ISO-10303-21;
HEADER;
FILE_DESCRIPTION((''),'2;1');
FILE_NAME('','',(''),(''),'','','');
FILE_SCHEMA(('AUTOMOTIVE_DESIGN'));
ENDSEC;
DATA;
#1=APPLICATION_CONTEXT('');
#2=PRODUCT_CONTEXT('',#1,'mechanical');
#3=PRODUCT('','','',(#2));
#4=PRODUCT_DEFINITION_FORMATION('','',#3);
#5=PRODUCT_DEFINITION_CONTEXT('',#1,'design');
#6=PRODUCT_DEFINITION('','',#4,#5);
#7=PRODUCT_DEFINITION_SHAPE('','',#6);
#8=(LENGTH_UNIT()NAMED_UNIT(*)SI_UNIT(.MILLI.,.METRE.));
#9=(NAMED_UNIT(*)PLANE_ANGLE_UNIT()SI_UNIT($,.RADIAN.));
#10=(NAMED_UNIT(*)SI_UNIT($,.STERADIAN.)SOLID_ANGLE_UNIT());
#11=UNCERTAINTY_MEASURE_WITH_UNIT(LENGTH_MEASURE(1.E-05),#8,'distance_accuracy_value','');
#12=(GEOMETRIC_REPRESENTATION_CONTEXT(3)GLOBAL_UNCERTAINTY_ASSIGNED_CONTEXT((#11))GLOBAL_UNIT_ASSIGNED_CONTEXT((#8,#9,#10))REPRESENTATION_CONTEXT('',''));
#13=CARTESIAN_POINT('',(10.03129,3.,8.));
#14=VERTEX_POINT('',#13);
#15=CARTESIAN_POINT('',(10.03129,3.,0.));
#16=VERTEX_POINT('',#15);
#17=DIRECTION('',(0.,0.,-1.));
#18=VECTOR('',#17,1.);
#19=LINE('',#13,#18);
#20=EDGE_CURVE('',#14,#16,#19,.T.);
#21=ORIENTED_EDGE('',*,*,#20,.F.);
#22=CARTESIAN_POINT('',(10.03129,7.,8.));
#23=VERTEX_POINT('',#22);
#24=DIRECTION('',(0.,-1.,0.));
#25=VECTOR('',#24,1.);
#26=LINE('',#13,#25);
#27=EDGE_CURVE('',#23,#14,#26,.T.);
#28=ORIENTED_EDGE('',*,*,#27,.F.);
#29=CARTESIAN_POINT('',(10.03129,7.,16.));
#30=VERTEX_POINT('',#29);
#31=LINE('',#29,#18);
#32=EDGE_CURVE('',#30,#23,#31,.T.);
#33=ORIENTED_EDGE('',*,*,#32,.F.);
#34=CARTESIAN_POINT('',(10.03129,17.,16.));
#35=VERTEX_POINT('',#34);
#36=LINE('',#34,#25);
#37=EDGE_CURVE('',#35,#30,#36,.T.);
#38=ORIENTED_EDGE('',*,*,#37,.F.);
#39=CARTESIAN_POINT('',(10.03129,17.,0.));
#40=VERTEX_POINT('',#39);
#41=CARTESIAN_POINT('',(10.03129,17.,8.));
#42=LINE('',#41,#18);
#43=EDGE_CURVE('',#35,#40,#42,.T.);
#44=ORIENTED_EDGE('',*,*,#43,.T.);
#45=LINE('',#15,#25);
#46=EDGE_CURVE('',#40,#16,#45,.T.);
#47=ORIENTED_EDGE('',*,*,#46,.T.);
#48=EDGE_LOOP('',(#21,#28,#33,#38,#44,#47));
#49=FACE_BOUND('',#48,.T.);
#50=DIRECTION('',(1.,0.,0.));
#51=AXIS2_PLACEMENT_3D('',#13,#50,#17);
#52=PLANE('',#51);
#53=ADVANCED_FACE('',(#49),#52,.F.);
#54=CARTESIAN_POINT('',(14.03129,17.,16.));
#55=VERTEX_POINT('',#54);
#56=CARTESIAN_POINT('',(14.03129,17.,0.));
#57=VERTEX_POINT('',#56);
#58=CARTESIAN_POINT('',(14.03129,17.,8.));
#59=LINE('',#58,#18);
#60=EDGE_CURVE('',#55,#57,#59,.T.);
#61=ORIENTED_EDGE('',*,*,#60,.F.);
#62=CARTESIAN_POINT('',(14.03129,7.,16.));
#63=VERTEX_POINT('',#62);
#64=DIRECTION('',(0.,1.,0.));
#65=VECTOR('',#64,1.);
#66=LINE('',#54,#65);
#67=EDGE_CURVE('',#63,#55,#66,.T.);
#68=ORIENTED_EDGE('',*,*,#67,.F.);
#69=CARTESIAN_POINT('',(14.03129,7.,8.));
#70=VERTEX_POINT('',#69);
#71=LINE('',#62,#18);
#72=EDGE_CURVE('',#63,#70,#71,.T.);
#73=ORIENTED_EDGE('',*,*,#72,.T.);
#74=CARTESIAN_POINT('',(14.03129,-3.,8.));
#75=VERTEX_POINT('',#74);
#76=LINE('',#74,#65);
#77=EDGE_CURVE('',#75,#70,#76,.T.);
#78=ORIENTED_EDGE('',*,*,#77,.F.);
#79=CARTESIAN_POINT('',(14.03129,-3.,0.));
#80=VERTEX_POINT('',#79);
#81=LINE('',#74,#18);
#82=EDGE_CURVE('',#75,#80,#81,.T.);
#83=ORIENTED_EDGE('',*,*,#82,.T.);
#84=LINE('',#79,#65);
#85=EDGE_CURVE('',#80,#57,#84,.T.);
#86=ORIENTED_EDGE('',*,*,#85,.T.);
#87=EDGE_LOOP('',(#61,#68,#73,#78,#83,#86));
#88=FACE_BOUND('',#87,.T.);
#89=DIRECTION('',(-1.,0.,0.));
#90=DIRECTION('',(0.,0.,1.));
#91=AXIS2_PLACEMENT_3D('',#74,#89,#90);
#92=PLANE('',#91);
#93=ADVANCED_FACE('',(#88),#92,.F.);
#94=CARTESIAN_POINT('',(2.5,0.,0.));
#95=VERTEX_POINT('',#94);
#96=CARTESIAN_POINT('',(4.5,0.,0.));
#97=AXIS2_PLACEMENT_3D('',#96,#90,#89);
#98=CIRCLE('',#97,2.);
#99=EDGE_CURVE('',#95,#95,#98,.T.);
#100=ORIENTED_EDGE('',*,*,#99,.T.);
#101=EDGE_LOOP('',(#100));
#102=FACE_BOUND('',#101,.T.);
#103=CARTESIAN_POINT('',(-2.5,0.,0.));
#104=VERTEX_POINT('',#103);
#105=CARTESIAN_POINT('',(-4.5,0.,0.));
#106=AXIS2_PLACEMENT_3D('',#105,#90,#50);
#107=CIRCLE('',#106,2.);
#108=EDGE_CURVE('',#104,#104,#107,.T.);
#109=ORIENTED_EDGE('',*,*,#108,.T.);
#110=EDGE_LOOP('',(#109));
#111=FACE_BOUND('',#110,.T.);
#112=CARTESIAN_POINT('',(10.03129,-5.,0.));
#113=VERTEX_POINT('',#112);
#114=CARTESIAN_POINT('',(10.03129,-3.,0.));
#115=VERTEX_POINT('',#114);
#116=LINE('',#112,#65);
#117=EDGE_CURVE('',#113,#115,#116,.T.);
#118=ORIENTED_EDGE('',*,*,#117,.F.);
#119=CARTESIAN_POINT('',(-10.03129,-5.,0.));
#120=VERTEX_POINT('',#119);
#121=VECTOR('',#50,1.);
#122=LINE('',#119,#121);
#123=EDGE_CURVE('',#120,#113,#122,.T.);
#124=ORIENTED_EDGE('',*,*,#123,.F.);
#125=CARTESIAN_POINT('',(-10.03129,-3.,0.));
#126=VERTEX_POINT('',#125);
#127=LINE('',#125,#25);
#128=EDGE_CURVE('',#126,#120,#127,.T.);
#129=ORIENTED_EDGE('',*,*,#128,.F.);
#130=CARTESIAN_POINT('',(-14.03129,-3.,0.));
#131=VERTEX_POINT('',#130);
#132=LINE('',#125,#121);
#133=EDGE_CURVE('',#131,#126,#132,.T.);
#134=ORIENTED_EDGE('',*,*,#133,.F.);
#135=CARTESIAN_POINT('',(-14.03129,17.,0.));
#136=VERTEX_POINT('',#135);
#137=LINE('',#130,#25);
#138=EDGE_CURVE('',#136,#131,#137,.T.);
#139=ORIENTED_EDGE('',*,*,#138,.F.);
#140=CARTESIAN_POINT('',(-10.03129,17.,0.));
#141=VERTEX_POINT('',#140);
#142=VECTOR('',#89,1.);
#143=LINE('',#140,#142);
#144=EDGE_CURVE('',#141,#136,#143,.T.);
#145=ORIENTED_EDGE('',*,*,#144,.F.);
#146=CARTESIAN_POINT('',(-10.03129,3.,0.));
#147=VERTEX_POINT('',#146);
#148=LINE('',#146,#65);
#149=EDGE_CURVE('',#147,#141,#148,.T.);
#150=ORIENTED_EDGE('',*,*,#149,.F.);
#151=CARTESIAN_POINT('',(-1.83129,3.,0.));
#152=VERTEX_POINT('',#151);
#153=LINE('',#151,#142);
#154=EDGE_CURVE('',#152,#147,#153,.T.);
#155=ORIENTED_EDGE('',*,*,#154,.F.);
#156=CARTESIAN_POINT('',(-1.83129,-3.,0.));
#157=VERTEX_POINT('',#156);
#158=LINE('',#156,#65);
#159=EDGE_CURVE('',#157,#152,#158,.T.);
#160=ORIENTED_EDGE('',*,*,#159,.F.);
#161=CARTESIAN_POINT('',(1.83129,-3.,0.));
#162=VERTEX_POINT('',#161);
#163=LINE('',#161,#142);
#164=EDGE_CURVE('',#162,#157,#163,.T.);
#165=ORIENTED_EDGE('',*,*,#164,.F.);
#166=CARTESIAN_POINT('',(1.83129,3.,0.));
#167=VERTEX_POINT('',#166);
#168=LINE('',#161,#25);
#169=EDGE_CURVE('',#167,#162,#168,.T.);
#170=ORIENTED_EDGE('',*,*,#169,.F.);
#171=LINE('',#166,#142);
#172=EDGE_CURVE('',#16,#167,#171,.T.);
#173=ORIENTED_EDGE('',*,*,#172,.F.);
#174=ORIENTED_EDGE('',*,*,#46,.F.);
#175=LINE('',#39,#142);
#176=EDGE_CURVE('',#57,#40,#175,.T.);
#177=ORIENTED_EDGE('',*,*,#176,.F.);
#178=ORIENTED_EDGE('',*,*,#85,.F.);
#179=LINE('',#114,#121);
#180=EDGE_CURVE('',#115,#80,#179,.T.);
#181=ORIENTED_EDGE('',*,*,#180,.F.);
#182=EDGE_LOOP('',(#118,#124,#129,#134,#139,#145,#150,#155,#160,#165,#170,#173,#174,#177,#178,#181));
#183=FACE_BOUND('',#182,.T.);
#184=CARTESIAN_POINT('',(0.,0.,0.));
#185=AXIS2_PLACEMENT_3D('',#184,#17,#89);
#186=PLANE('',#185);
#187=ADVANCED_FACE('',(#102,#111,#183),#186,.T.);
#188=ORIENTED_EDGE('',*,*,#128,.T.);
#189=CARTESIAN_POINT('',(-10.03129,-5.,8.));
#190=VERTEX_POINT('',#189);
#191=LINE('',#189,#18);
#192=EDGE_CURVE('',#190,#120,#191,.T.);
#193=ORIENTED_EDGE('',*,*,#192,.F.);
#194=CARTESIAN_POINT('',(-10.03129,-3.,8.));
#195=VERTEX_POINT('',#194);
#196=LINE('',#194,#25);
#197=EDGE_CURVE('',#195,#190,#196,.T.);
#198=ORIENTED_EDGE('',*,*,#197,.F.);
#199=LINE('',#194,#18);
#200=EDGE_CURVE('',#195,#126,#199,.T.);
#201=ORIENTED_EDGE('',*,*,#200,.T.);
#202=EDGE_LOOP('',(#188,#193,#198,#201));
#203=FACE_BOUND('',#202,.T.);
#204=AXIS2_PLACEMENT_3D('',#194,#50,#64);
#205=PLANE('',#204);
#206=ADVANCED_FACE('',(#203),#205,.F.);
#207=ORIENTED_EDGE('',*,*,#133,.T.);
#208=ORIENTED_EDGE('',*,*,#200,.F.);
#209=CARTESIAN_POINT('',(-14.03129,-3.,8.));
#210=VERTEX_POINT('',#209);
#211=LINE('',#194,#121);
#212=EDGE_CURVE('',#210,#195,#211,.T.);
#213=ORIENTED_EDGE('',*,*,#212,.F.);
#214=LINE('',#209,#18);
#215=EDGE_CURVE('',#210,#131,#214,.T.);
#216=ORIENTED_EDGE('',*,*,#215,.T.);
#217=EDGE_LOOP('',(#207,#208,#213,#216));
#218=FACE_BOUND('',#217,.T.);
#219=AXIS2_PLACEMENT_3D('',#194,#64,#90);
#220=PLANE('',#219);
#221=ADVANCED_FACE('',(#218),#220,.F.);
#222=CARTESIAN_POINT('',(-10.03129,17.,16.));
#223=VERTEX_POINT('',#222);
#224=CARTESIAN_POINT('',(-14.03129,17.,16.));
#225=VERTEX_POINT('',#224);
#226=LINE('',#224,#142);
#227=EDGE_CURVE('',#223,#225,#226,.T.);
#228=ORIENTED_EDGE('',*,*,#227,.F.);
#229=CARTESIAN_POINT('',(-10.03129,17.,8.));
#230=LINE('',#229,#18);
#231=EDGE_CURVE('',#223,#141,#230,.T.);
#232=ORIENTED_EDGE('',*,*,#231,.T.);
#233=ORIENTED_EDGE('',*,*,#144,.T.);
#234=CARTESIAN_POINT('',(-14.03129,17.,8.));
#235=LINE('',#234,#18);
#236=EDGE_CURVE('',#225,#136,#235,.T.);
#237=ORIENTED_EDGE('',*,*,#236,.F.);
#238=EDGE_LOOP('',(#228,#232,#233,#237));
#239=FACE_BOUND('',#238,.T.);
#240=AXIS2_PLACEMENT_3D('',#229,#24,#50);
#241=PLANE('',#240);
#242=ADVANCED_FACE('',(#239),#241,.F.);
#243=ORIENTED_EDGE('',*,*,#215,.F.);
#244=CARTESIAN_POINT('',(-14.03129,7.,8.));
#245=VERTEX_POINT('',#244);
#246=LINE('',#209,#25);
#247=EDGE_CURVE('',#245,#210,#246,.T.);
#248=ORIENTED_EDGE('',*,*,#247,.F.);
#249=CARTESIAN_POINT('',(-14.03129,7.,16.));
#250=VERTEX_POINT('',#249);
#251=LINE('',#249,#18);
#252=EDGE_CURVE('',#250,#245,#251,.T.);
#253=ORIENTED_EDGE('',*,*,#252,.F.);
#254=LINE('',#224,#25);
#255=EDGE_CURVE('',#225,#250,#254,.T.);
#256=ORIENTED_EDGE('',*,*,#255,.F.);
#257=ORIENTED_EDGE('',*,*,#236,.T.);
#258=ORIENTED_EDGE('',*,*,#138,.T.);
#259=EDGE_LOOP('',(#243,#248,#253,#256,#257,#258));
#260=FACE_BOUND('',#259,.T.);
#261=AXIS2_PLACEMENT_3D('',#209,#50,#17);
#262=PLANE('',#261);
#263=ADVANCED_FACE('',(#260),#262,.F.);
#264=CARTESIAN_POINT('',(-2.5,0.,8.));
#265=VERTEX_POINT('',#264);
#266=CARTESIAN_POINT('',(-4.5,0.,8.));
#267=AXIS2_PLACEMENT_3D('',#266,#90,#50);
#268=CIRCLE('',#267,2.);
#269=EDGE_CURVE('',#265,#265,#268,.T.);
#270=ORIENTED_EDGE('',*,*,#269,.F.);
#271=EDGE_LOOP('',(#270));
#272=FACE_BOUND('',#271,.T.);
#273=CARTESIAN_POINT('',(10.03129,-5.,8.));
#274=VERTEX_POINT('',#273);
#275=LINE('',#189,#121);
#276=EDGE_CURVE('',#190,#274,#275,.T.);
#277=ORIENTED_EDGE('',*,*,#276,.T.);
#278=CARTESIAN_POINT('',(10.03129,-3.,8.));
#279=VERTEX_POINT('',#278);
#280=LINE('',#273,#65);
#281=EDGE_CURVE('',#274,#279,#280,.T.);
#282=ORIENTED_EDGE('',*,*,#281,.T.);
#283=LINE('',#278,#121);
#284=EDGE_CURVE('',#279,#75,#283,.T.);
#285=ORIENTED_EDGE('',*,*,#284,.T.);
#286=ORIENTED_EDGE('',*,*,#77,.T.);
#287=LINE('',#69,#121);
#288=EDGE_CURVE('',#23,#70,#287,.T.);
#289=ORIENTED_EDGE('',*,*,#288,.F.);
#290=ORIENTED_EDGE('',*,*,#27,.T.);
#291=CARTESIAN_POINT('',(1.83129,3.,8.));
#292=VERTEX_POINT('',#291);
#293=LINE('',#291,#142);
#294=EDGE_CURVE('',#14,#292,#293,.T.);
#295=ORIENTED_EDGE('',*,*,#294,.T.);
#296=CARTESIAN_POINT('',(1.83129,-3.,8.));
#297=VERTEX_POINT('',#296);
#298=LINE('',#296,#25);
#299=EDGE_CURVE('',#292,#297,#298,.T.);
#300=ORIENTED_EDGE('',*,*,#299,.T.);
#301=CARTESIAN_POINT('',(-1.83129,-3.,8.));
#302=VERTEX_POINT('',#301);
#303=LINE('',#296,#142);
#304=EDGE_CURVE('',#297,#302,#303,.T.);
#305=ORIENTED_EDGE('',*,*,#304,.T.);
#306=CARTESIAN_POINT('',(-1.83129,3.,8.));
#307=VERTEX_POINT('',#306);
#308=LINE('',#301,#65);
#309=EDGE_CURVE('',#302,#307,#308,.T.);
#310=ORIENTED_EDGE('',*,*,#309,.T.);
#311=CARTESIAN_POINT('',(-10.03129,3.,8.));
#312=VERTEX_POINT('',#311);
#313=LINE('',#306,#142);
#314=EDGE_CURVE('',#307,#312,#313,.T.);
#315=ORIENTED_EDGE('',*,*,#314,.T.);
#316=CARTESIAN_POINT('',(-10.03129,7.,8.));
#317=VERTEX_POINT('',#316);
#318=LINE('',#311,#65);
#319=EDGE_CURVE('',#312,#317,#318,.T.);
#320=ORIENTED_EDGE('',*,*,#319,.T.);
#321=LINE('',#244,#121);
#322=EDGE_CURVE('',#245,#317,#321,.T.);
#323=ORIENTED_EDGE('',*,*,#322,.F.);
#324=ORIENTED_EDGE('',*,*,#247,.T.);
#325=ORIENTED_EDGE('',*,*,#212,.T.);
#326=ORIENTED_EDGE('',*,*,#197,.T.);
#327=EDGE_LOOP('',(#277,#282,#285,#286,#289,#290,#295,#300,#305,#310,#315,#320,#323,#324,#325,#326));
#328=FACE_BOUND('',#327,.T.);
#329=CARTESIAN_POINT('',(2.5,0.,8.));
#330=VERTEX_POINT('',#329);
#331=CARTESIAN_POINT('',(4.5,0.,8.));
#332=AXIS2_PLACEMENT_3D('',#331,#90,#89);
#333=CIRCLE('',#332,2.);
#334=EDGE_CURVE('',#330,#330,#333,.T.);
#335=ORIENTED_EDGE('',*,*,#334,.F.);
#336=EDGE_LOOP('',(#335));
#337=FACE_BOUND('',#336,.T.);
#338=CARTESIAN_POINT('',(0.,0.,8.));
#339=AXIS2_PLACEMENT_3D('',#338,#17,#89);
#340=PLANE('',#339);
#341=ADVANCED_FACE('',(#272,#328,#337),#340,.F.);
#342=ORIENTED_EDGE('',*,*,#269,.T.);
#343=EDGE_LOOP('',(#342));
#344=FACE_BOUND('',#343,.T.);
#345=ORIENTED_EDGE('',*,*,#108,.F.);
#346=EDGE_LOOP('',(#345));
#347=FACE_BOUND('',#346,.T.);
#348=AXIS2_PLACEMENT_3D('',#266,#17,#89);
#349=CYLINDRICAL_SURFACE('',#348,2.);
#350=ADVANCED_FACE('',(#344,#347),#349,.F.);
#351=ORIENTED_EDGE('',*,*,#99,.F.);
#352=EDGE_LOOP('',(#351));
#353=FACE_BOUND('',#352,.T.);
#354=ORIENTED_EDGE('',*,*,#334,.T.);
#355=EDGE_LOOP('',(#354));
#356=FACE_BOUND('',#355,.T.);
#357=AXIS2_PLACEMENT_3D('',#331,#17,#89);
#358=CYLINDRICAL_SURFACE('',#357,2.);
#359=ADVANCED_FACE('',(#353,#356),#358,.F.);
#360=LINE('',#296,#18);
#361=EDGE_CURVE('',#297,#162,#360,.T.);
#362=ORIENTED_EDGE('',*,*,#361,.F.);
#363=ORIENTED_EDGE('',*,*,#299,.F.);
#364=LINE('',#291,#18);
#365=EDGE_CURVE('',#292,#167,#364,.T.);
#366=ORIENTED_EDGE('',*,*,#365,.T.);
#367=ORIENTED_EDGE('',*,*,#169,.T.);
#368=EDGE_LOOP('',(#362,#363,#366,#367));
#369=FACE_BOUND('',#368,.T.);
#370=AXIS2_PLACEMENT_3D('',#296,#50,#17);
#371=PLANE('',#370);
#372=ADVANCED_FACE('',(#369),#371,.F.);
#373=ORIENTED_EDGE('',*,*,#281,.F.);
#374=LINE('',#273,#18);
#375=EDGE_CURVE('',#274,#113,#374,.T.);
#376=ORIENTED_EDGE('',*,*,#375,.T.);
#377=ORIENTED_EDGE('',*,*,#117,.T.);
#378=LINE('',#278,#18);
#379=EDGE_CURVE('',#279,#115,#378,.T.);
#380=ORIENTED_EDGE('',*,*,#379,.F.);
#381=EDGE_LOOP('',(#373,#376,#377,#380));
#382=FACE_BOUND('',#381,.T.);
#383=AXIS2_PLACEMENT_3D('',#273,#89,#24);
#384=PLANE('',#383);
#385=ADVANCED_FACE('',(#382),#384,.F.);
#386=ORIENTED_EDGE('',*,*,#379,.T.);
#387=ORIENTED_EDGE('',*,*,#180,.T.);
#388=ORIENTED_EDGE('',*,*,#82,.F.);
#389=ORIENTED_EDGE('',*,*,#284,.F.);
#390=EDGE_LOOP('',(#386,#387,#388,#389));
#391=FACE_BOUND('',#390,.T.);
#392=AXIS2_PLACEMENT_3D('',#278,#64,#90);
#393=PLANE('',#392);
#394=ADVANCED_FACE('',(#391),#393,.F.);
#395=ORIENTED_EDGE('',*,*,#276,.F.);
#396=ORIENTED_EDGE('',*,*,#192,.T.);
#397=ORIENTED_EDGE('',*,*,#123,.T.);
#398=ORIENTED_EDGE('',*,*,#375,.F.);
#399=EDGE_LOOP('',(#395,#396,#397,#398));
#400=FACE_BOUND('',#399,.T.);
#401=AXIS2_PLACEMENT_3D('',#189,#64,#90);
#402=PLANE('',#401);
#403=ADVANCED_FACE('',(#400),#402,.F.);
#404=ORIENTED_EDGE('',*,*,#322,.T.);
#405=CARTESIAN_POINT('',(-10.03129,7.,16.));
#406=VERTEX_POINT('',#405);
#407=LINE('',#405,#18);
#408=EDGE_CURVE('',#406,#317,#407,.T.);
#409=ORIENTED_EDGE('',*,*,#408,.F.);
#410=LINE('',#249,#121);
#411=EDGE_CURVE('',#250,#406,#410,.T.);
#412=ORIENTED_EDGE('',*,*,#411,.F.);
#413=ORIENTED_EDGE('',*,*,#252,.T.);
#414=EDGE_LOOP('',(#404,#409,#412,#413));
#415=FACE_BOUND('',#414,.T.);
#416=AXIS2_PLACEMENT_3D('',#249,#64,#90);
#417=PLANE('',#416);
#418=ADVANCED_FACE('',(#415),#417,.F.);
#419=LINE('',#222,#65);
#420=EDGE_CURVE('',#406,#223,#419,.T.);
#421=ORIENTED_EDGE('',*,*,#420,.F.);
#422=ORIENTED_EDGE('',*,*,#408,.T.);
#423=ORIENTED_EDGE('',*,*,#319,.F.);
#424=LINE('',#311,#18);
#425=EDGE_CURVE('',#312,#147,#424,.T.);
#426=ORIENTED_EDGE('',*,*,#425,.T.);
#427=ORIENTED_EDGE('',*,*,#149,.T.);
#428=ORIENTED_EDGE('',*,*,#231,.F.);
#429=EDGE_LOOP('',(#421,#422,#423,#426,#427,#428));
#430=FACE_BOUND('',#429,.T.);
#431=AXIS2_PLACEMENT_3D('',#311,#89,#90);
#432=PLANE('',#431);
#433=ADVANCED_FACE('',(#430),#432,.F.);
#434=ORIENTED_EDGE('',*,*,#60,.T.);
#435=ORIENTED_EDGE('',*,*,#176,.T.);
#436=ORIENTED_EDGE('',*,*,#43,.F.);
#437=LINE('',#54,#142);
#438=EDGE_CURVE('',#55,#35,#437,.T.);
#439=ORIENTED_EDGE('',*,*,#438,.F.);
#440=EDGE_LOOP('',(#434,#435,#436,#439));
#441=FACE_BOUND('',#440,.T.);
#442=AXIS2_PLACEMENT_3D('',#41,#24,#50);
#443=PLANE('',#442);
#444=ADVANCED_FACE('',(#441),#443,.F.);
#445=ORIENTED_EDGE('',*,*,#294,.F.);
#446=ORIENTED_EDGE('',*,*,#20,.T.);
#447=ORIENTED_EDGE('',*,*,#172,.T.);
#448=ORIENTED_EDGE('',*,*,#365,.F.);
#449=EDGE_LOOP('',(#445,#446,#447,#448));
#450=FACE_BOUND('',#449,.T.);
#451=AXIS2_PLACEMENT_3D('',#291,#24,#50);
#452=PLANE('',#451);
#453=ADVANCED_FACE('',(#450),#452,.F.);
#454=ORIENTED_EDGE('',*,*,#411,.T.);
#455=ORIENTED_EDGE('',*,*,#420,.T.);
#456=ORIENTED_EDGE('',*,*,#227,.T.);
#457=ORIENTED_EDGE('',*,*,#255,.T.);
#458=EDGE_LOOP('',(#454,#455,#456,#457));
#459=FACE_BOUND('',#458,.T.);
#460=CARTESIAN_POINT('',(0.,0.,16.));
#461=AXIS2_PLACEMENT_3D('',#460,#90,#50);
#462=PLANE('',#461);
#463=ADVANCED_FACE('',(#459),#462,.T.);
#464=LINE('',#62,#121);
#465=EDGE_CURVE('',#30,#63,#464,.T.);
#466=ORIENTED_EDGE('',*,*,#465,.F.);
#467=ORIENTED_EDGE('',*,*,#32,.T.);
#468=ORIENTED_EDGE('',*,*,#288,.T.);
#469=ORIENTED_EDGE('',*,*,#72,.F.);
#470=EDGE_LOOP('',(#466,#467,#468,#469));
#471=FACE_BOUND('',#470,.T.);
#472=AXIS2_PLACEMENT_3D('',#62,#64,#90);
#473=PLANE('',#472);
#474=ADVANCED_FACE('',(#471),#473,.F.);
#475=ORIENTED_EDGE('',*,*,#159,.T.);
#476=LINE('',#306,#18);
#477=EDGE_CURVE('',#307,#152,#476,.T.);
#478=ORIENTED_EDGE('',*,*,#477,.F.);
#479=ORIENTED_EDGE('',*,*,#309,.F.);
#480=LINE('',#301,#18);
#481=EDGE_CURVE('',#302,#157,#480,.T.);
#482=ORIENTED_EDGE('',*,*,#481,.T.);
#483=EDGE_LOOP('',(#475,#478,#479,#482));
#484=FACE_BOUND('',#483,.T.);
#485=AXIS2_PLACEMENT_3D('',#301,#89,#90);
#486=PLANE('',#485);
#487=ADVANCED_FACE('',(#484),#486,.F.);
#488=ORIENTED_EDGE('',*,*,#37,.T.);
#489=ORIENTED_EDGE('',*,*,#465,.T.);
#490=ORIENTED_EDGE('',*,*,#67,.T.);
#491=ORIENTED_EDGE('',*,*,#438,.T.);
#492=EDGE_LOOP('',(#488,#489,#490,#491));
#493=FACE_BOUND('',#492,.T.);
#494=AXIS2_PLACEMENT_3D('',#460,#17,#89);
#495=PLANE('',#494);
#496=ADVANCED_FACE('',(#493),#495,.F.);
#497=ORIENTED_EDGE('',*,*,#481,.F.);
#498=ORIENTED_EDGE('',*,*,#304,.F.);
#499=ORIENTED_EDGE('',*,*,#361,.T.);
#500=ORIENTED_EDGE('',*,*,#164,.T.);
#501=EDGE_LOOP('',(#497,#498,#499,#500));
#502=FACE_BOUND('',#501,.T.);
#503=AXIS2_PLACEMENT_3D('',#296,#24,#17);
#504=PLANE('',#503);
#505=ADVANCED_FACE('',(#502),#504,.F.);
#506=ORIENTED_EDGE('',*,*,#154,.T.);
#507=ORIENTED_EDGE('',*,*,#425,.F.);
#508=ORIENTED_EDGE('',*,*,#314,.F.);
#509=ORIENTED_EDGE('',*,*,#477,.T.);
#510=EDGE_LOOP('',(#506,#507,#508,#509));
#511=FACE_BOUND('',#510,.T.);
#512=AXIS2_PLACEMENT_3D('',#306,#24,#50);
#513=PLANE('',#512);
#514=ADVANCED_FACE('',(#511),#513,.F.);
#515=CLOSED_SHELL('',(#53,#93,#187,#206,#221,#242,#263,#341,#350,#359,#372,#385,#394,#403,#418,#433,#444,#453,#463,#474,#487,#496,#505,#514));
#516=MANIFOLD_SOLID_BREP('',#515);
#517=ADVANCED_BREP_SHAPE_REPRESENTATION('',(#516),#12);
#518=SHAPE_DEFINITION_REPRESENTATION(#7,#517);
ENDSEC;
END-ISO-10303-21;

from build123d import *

# Parameters (mm, degrees)
SKETCH_1_R      = 2
EXTRUDE_1_DEPTH = 8
SKETCH_2_W      = 4
SKETCH_2_H      = 10
EXTRUDE_2_DEPTH = 8


with BuildPart() as part:
    # 草图1 → 凸台-拉伸1 (new body)
    with BuildSketch(Plane.XY):
        Polygon((-1.831289914, -3), (-1.831289914, 3), (-10.031289914, 3), (-10.031289914, 17), (-14.031289914, 17), (-14.031289914, -3), (-10.031289914, -3), (-10.031289914, -5), (10.031289914, -5), (10.031289914, -3), (14.031289914, -3), (14.031289914, 17), (10.031289914, 17), (10.031289914, 3), (1.831289914, 3), (1.831289914, -3), align=None)
        with Locations((-4.5, 0)):
            Circle(SKETCH_1_R, mode=Mode.SUBTRACT)
        with Locations(Location((4.5, 0, 0), (0, 0, 180))):
            Circle(SKETCH_1_R, mode=Mode.SUBTRACT)
    extrude(amount=EXTRUDE_1_DEPTH)

    # 草图2 → 凸台-拉伸2 (add)
    with BuildSketch(Plane.XY.offset(8)):
        with Locations((-12.031289914, 12)):
            Rectangle(SKETCH_2_W, SKETCH_2_H)
        with Locations((12.031289914, 12)):
            Rectangle(SKETCH_2_W, SKETCH_2_H)
    extrude(amount=EXTRUDE_2_DEPTH)


solid = part.part
